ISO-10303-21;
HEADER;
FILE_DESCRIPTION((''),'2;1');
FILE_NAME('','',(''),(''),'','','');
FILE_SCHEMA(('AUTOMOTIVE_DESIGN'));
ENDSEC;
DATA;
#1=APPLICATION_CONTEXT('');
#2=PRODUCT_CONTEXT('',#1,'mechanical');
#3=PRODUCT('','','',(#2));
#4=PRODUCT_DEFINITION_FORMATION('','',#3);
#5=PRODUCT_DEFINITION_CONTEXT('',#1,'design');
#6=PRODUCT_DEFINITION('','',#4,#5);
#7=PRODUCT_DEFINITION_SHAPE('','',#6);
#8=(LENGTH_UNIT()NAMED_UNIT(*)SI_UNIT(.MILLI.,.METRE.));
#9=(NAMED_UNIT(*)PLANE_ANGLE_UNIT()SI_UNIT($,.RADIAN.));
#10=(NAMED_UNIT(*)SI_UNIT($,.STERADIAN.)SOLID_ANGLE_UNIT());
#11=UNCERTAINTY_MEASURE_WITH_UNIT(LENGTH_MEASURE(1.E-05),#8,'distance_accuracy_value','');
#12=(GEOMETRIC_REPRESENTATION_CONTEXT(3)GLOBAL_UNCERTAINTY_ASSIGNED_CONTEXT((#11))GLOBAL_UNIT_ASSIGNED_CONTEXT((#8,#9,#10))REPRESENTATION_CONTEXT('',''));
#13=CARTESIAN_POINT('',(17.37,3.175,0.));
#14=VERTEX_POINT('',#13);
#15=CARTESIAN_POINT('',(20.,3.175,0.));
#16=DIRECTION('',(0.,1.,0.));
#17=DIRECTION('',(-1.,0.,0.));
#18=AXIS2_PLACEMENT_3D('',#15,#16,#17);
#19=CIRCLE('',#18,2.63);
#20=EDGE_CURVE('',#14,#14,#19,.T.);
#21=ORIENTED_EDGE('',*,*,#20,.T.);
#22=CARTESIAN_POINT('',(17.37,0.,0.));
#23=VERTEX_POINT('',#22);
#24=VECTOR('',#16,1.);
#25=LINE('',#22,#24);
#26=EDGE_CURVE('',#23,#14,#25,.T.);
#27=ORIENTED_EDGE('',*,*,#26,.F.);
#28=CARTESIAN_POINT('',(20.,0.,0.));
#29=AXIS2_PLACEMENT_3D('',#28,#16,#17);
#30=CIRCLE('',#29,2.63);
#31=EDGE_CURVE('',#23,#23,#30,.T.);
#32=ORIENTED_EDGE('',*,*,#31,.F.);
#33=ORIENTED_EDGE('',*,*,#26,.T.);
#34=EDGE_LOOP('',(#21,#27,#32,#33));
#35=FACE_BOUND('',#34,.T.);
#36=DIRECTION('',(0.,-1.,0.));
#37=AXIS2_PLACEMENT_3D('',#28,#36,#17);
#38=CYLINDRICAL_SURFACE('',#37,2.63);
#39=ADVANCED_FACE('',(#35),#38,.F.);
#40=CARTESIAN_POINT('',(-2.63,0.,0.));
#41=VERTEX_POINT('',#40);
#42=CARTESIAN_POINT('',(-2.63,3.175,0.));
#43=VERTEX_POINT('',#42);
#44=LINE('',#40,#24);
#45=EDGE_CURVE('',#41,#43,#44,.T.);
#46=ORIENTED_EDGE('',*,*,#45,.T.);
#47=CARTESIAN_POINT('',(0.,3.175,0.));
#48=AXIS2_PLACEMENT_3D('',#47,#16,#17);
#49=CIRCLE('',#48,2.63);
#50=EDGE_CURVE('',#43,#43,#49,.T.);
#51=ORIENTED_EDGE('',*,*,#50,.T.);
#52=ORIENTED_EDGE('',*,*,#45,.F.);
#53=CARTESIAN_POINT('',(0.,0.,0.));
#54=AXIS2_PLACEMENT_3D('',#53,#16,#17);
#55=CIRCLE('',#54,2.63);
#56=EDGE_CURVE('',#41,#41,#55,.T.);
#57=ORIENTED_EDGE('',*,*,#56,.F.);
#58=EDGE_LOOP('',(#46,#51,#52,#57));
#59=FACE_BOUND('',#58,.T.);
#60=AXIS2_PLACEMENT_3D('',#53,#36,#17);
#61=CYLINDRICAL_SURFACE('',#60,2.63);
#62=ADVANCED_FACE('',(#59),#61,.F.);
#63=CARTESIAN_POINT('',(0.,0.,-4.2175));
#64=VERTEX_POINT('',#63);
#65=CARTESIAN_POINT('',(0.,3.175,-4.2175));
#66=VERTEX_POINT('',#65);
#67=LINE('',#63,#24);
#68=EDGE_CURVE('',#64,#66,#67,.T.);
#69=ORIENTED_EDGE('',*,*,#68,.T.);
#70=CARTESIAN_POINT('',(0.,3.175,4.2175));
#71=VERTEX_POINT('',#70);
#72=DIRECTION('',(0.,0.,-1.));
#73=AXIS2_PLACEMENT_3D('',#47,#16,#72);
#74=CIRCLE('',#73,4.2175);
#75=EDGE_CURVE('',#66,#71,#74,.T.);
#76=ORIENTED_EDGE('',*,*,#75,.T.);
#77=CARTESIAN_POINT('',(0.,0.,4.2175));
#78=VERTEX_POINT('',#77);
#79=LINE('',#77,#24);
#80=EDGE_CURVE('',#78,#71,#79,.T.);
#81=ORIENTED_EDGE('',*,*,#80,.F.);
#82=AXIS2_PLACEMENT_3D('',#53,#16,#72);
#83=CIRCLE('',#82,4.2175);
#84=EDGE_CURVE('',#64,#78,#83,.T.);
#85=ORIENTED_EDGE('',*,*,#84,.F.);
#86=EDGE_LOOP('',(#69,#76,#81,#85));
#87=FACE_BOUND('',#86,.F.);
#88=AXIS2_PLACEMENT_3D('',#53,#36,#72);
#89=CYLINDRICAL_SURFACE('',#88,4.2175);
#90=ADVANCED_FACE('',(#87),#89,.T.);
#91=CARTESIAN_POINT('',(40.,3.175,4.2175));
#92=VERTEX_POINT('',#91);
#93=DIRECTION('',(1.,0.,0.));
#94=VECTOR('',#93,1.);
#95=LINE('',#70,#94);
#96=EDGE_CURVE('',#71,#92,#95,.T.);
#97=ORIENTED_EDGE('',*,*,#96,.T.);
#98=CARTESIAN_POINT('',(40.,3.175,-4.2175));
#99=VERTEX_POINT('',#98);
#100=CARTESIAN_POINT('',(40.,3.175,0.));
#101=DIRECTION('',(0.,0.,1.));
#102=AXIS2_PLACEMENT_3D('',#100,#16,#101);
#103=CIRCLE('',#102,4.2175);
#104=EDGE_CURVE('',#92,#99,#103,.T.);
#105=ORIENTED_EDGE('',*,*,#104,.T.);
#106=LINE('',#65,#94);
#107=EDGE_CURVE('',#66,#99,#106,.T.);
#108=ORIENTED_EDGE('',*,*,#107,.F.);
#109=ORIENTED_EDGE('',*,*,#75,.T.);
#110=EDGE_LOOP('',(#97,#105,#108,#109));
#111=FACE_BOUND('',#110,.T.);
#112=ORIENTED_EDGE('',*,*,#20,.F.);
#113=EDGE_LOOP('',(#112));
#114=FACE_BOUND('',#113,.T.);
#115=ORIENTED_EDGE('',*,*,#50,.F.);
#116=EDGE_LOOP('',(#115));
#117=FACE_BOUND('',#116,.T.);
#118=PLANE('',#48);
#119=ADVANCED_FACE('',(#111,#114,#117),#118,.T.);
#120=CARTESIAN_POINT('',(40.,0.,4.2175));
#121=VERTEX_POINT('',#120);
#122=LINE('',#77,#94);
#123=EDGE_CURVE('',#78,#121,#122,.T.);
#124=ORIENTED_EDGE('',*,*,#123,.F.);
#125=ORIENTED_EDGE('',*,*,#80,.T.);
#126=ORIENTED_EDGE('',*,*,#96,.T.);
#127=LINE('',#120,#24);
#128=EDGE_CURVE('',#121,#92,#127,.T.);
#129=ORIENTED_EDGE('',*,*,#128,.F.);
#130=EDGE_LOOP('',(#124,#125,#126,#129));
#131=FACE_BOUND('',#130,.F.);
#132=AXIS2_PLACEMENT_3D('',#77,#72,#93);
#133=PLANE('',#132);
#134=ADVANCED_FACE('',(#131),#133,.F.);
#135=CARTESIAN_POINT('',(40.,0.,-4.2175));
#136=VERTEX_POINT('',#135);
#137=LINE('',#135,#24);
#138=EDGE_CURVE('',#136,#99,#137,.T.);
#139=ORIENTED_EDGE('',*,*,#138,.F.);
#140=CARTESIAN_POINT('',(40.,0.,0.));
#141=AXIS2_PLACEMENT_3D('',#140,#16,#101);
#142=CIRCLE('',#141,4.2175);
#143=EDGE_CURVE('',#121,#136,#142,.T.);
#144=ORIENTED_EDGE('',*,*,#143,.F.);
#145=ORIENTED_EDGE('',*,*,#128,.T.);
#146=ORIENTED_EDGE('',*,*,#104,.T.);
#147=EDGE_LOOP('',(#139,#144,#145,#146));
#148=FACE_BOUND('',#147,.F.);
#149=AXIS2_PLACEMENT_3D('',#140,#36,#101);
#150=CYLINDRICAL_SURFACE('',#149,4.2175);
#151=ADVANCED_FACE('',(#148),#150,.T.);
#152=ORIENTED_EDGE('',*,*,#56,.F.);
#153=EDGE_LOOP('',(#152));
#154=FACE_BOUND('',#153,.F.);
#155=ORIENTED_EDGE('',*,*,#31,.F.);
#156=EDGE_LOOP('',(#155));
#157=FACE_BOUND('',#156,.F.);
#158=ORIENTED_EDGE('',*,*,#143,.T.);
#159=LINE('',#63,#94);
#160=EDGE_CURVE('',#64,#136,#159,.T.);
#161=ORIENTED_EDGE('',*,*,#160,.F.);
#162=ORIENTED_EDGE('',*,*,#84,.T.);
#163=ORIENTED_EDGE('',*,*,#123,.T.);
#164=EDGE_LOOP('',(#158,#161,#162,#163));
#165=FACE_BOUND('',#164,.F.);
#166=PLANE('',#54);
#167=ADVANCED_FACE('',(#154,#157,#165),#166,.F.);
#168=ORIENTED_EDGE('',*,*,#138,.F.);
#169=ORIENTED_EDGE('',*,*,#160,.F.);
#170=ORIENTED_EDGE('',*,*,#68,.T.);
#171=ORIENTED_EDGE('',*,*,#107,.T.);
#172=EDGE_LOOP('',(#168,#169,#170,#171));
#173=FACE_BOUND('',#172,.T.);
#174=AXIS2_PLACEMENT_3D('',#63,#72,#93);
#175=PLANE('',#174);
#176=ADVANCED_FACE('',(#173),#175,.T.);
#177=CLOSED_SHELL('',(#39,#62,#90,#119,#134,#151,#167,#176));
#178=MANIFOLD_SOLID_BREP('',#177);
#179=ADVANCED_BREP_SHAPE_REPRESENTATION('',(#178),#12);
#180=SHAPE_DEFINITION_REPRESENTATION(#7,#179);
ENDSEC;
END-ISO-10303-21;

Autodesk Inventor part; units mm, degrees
ref_plane "YZ Plane" through (0, 0, 0) normal (1, 0, 0) x (0, 1, 0)
ref_plane "XZ Plane" through (0, 0, 0) normal (0, 1, 0) x (-1, 0, 0)
ref_plane "XY Plane" through (0, 0, 0) normal (0, 0, 1) x (1, 0, 0)
sketch "Sketch1" plane through (0, 0, 0) normal (0, 1, 0) x (-1, 0, 0)
  circle A0 centre (0, 0) radius 2.63
  line L0 (0, 0) -> (-2.63, 0) construction
  circle A1 centre (-20, 0) radius 2.63
  circle A2 centre (0, 0) radius 4.2175 construction
  circle A3 centre (-20, 0) radius 4.2175 construction
  line L1 (0, 4.2175) -> (-40, 4.2175)
  line L2 (0, -4.2175) -> (-40, -4.2175)
  arc A4 (-40, 4.2175) -> (-40, -4.2175) centre (-40, 0) ccw
  arc A5 (0, -4.2175) -> (0, 4.2175) centre (0, 0) ccw
  dimension "d0" = 5.26
  dimension "d1" = 20
  dimension "d2" = 1.5875
  dimension "d3" = 20
extrude "Extrusion1" add sketch "Sketch1" along normal blind 3.175
properties part number "CNC-011-XAxisHardStop" material "Aluminum 6061"
